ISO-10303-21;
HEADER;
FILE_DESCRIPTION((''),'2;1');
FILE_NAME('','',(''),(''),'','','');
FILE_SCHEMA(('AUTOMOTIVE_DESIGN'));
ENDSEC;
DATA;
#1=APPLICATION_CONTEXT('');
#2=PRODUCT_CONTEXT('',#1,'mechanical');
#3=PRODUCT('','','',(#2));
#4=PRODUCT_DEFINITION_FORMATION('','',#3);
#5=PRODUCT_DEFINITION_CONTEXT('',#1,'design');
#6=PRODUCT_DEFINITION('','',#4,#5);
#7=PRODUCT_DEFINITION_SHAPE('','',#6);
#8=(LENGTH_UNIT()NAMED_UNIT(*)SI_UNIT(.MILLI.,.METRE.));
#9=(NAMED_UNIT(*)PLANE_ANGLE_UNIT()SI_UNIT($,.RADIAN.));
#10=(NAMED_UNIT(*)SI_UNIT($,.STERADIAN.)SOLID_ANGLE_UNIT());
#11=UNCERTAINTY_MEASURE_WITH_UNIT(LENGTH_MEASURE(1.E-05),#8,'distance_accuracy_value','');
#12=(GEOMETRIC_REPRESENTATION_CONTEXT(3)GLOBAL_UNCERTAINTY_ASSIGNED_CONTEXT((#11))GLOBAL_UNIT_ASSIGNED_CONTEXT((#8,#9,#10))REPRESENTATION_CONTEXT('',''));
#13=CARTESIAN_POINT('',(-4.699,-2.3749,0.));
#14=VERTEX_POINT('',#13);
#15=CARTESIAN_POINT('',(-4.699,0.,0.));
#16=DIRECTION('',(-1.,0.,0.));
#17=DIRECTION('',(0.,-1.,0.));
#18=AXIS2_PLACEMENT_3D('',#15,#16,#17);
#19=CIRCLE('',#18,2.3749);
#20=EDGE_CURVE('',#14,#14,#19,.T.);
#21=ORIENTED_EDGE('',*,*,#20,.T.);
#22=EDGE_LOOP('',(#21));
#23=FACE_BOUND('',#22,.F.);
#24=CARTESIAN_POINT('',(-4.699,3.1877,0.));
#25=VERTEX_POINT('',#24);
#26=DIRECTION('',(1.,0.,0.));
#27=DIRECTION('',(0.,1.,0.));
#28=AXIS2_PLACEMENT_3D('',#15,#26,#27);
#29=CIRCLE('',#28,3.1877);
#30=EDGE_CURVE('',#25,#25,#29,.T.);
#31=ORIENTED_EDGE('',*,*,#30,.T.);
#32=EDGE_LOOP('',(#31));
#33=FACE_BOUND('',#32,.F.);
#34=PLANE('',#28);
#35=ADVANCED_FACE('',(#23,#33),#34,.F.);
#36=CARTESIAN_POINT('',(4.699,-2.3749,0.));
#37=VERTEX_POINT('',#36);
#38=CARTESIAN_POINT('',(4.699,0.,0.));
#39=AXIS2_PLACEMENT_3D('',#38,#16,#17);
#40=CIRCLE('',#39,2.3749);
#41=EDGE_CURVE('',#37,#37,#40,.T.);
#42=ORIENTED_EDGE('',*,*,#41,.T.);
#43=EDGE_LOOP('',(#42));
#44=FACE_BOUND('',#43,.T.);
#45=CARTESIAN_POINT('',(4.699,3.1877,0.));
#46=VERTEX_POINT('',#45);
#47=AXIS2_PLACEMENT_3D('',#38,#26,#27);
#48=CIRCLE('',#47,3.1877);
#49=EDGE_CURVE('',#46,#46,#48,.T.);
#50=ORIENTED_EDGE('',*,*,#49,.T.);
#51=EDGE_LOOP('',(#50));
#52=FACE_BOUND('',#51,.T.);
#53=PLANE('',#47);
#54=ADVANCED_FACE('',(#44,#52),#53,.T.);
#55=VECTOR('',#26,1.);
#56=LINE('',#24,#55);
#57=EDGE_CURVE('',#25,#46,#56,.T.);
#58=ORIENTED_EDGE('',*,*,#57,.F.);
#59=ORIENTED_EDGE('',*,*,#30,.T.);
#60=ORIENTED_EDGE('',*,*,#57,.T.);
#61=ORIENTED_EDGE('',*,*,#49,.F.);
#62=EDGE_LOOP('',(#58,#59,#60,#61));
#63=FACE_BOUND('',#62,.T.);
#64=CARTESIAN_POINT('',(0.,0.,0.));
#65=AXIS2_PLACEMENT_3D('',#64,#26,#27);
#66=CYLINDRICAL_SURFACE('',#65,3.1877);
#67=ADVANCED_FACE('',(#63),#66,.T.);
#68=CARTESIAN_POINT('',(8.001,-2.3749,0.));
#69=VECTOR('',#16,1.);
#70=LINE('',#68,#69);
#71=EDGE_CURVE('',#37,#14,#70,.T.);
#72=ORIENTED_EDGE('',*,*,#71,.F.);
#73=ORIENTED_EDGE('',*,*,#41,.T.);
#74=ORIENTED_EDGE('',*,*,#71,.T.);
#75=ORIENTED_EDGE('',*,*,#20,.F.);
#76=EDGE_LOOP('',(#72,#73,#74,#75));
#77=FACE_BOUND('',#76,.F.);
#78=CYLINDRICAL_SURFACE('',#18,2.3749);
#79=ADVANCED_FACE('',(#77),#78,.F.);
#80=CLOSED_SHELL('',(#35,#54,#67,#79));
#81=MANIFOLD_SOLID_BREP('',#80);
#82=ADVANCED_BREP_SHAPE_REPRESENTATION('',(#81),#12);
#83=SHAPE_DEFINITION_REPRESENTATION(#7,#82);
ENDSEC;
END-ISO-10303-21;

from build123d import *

# Parameters (mm, degrees)
F0_R     = 3.1877
F1_DEPTH = 4.699
F2_R     = 2.3749
F3_DEPTH = 12.7


with BuildPart() as f1:
    # F0 (on Right) → F1 (new body, symmetric)
    with BuildSketch(Plane.YZ):
        Circle(F0_R)
    extrude(amount=F1_DEPTH, both=True)

    # F2 (on face) → F3 (cut, symmetric)
    with BuildSketch(Plane(origin=(-4.699, 0, 0), x_dir=(0, -1, 0), z_dir=(-1, 0, 0))):
        Circle(F2_R)
    extrude(amount=F3_DEPTH, both=True, mode=Mode.SUBTRACT)


solid = f1.part
